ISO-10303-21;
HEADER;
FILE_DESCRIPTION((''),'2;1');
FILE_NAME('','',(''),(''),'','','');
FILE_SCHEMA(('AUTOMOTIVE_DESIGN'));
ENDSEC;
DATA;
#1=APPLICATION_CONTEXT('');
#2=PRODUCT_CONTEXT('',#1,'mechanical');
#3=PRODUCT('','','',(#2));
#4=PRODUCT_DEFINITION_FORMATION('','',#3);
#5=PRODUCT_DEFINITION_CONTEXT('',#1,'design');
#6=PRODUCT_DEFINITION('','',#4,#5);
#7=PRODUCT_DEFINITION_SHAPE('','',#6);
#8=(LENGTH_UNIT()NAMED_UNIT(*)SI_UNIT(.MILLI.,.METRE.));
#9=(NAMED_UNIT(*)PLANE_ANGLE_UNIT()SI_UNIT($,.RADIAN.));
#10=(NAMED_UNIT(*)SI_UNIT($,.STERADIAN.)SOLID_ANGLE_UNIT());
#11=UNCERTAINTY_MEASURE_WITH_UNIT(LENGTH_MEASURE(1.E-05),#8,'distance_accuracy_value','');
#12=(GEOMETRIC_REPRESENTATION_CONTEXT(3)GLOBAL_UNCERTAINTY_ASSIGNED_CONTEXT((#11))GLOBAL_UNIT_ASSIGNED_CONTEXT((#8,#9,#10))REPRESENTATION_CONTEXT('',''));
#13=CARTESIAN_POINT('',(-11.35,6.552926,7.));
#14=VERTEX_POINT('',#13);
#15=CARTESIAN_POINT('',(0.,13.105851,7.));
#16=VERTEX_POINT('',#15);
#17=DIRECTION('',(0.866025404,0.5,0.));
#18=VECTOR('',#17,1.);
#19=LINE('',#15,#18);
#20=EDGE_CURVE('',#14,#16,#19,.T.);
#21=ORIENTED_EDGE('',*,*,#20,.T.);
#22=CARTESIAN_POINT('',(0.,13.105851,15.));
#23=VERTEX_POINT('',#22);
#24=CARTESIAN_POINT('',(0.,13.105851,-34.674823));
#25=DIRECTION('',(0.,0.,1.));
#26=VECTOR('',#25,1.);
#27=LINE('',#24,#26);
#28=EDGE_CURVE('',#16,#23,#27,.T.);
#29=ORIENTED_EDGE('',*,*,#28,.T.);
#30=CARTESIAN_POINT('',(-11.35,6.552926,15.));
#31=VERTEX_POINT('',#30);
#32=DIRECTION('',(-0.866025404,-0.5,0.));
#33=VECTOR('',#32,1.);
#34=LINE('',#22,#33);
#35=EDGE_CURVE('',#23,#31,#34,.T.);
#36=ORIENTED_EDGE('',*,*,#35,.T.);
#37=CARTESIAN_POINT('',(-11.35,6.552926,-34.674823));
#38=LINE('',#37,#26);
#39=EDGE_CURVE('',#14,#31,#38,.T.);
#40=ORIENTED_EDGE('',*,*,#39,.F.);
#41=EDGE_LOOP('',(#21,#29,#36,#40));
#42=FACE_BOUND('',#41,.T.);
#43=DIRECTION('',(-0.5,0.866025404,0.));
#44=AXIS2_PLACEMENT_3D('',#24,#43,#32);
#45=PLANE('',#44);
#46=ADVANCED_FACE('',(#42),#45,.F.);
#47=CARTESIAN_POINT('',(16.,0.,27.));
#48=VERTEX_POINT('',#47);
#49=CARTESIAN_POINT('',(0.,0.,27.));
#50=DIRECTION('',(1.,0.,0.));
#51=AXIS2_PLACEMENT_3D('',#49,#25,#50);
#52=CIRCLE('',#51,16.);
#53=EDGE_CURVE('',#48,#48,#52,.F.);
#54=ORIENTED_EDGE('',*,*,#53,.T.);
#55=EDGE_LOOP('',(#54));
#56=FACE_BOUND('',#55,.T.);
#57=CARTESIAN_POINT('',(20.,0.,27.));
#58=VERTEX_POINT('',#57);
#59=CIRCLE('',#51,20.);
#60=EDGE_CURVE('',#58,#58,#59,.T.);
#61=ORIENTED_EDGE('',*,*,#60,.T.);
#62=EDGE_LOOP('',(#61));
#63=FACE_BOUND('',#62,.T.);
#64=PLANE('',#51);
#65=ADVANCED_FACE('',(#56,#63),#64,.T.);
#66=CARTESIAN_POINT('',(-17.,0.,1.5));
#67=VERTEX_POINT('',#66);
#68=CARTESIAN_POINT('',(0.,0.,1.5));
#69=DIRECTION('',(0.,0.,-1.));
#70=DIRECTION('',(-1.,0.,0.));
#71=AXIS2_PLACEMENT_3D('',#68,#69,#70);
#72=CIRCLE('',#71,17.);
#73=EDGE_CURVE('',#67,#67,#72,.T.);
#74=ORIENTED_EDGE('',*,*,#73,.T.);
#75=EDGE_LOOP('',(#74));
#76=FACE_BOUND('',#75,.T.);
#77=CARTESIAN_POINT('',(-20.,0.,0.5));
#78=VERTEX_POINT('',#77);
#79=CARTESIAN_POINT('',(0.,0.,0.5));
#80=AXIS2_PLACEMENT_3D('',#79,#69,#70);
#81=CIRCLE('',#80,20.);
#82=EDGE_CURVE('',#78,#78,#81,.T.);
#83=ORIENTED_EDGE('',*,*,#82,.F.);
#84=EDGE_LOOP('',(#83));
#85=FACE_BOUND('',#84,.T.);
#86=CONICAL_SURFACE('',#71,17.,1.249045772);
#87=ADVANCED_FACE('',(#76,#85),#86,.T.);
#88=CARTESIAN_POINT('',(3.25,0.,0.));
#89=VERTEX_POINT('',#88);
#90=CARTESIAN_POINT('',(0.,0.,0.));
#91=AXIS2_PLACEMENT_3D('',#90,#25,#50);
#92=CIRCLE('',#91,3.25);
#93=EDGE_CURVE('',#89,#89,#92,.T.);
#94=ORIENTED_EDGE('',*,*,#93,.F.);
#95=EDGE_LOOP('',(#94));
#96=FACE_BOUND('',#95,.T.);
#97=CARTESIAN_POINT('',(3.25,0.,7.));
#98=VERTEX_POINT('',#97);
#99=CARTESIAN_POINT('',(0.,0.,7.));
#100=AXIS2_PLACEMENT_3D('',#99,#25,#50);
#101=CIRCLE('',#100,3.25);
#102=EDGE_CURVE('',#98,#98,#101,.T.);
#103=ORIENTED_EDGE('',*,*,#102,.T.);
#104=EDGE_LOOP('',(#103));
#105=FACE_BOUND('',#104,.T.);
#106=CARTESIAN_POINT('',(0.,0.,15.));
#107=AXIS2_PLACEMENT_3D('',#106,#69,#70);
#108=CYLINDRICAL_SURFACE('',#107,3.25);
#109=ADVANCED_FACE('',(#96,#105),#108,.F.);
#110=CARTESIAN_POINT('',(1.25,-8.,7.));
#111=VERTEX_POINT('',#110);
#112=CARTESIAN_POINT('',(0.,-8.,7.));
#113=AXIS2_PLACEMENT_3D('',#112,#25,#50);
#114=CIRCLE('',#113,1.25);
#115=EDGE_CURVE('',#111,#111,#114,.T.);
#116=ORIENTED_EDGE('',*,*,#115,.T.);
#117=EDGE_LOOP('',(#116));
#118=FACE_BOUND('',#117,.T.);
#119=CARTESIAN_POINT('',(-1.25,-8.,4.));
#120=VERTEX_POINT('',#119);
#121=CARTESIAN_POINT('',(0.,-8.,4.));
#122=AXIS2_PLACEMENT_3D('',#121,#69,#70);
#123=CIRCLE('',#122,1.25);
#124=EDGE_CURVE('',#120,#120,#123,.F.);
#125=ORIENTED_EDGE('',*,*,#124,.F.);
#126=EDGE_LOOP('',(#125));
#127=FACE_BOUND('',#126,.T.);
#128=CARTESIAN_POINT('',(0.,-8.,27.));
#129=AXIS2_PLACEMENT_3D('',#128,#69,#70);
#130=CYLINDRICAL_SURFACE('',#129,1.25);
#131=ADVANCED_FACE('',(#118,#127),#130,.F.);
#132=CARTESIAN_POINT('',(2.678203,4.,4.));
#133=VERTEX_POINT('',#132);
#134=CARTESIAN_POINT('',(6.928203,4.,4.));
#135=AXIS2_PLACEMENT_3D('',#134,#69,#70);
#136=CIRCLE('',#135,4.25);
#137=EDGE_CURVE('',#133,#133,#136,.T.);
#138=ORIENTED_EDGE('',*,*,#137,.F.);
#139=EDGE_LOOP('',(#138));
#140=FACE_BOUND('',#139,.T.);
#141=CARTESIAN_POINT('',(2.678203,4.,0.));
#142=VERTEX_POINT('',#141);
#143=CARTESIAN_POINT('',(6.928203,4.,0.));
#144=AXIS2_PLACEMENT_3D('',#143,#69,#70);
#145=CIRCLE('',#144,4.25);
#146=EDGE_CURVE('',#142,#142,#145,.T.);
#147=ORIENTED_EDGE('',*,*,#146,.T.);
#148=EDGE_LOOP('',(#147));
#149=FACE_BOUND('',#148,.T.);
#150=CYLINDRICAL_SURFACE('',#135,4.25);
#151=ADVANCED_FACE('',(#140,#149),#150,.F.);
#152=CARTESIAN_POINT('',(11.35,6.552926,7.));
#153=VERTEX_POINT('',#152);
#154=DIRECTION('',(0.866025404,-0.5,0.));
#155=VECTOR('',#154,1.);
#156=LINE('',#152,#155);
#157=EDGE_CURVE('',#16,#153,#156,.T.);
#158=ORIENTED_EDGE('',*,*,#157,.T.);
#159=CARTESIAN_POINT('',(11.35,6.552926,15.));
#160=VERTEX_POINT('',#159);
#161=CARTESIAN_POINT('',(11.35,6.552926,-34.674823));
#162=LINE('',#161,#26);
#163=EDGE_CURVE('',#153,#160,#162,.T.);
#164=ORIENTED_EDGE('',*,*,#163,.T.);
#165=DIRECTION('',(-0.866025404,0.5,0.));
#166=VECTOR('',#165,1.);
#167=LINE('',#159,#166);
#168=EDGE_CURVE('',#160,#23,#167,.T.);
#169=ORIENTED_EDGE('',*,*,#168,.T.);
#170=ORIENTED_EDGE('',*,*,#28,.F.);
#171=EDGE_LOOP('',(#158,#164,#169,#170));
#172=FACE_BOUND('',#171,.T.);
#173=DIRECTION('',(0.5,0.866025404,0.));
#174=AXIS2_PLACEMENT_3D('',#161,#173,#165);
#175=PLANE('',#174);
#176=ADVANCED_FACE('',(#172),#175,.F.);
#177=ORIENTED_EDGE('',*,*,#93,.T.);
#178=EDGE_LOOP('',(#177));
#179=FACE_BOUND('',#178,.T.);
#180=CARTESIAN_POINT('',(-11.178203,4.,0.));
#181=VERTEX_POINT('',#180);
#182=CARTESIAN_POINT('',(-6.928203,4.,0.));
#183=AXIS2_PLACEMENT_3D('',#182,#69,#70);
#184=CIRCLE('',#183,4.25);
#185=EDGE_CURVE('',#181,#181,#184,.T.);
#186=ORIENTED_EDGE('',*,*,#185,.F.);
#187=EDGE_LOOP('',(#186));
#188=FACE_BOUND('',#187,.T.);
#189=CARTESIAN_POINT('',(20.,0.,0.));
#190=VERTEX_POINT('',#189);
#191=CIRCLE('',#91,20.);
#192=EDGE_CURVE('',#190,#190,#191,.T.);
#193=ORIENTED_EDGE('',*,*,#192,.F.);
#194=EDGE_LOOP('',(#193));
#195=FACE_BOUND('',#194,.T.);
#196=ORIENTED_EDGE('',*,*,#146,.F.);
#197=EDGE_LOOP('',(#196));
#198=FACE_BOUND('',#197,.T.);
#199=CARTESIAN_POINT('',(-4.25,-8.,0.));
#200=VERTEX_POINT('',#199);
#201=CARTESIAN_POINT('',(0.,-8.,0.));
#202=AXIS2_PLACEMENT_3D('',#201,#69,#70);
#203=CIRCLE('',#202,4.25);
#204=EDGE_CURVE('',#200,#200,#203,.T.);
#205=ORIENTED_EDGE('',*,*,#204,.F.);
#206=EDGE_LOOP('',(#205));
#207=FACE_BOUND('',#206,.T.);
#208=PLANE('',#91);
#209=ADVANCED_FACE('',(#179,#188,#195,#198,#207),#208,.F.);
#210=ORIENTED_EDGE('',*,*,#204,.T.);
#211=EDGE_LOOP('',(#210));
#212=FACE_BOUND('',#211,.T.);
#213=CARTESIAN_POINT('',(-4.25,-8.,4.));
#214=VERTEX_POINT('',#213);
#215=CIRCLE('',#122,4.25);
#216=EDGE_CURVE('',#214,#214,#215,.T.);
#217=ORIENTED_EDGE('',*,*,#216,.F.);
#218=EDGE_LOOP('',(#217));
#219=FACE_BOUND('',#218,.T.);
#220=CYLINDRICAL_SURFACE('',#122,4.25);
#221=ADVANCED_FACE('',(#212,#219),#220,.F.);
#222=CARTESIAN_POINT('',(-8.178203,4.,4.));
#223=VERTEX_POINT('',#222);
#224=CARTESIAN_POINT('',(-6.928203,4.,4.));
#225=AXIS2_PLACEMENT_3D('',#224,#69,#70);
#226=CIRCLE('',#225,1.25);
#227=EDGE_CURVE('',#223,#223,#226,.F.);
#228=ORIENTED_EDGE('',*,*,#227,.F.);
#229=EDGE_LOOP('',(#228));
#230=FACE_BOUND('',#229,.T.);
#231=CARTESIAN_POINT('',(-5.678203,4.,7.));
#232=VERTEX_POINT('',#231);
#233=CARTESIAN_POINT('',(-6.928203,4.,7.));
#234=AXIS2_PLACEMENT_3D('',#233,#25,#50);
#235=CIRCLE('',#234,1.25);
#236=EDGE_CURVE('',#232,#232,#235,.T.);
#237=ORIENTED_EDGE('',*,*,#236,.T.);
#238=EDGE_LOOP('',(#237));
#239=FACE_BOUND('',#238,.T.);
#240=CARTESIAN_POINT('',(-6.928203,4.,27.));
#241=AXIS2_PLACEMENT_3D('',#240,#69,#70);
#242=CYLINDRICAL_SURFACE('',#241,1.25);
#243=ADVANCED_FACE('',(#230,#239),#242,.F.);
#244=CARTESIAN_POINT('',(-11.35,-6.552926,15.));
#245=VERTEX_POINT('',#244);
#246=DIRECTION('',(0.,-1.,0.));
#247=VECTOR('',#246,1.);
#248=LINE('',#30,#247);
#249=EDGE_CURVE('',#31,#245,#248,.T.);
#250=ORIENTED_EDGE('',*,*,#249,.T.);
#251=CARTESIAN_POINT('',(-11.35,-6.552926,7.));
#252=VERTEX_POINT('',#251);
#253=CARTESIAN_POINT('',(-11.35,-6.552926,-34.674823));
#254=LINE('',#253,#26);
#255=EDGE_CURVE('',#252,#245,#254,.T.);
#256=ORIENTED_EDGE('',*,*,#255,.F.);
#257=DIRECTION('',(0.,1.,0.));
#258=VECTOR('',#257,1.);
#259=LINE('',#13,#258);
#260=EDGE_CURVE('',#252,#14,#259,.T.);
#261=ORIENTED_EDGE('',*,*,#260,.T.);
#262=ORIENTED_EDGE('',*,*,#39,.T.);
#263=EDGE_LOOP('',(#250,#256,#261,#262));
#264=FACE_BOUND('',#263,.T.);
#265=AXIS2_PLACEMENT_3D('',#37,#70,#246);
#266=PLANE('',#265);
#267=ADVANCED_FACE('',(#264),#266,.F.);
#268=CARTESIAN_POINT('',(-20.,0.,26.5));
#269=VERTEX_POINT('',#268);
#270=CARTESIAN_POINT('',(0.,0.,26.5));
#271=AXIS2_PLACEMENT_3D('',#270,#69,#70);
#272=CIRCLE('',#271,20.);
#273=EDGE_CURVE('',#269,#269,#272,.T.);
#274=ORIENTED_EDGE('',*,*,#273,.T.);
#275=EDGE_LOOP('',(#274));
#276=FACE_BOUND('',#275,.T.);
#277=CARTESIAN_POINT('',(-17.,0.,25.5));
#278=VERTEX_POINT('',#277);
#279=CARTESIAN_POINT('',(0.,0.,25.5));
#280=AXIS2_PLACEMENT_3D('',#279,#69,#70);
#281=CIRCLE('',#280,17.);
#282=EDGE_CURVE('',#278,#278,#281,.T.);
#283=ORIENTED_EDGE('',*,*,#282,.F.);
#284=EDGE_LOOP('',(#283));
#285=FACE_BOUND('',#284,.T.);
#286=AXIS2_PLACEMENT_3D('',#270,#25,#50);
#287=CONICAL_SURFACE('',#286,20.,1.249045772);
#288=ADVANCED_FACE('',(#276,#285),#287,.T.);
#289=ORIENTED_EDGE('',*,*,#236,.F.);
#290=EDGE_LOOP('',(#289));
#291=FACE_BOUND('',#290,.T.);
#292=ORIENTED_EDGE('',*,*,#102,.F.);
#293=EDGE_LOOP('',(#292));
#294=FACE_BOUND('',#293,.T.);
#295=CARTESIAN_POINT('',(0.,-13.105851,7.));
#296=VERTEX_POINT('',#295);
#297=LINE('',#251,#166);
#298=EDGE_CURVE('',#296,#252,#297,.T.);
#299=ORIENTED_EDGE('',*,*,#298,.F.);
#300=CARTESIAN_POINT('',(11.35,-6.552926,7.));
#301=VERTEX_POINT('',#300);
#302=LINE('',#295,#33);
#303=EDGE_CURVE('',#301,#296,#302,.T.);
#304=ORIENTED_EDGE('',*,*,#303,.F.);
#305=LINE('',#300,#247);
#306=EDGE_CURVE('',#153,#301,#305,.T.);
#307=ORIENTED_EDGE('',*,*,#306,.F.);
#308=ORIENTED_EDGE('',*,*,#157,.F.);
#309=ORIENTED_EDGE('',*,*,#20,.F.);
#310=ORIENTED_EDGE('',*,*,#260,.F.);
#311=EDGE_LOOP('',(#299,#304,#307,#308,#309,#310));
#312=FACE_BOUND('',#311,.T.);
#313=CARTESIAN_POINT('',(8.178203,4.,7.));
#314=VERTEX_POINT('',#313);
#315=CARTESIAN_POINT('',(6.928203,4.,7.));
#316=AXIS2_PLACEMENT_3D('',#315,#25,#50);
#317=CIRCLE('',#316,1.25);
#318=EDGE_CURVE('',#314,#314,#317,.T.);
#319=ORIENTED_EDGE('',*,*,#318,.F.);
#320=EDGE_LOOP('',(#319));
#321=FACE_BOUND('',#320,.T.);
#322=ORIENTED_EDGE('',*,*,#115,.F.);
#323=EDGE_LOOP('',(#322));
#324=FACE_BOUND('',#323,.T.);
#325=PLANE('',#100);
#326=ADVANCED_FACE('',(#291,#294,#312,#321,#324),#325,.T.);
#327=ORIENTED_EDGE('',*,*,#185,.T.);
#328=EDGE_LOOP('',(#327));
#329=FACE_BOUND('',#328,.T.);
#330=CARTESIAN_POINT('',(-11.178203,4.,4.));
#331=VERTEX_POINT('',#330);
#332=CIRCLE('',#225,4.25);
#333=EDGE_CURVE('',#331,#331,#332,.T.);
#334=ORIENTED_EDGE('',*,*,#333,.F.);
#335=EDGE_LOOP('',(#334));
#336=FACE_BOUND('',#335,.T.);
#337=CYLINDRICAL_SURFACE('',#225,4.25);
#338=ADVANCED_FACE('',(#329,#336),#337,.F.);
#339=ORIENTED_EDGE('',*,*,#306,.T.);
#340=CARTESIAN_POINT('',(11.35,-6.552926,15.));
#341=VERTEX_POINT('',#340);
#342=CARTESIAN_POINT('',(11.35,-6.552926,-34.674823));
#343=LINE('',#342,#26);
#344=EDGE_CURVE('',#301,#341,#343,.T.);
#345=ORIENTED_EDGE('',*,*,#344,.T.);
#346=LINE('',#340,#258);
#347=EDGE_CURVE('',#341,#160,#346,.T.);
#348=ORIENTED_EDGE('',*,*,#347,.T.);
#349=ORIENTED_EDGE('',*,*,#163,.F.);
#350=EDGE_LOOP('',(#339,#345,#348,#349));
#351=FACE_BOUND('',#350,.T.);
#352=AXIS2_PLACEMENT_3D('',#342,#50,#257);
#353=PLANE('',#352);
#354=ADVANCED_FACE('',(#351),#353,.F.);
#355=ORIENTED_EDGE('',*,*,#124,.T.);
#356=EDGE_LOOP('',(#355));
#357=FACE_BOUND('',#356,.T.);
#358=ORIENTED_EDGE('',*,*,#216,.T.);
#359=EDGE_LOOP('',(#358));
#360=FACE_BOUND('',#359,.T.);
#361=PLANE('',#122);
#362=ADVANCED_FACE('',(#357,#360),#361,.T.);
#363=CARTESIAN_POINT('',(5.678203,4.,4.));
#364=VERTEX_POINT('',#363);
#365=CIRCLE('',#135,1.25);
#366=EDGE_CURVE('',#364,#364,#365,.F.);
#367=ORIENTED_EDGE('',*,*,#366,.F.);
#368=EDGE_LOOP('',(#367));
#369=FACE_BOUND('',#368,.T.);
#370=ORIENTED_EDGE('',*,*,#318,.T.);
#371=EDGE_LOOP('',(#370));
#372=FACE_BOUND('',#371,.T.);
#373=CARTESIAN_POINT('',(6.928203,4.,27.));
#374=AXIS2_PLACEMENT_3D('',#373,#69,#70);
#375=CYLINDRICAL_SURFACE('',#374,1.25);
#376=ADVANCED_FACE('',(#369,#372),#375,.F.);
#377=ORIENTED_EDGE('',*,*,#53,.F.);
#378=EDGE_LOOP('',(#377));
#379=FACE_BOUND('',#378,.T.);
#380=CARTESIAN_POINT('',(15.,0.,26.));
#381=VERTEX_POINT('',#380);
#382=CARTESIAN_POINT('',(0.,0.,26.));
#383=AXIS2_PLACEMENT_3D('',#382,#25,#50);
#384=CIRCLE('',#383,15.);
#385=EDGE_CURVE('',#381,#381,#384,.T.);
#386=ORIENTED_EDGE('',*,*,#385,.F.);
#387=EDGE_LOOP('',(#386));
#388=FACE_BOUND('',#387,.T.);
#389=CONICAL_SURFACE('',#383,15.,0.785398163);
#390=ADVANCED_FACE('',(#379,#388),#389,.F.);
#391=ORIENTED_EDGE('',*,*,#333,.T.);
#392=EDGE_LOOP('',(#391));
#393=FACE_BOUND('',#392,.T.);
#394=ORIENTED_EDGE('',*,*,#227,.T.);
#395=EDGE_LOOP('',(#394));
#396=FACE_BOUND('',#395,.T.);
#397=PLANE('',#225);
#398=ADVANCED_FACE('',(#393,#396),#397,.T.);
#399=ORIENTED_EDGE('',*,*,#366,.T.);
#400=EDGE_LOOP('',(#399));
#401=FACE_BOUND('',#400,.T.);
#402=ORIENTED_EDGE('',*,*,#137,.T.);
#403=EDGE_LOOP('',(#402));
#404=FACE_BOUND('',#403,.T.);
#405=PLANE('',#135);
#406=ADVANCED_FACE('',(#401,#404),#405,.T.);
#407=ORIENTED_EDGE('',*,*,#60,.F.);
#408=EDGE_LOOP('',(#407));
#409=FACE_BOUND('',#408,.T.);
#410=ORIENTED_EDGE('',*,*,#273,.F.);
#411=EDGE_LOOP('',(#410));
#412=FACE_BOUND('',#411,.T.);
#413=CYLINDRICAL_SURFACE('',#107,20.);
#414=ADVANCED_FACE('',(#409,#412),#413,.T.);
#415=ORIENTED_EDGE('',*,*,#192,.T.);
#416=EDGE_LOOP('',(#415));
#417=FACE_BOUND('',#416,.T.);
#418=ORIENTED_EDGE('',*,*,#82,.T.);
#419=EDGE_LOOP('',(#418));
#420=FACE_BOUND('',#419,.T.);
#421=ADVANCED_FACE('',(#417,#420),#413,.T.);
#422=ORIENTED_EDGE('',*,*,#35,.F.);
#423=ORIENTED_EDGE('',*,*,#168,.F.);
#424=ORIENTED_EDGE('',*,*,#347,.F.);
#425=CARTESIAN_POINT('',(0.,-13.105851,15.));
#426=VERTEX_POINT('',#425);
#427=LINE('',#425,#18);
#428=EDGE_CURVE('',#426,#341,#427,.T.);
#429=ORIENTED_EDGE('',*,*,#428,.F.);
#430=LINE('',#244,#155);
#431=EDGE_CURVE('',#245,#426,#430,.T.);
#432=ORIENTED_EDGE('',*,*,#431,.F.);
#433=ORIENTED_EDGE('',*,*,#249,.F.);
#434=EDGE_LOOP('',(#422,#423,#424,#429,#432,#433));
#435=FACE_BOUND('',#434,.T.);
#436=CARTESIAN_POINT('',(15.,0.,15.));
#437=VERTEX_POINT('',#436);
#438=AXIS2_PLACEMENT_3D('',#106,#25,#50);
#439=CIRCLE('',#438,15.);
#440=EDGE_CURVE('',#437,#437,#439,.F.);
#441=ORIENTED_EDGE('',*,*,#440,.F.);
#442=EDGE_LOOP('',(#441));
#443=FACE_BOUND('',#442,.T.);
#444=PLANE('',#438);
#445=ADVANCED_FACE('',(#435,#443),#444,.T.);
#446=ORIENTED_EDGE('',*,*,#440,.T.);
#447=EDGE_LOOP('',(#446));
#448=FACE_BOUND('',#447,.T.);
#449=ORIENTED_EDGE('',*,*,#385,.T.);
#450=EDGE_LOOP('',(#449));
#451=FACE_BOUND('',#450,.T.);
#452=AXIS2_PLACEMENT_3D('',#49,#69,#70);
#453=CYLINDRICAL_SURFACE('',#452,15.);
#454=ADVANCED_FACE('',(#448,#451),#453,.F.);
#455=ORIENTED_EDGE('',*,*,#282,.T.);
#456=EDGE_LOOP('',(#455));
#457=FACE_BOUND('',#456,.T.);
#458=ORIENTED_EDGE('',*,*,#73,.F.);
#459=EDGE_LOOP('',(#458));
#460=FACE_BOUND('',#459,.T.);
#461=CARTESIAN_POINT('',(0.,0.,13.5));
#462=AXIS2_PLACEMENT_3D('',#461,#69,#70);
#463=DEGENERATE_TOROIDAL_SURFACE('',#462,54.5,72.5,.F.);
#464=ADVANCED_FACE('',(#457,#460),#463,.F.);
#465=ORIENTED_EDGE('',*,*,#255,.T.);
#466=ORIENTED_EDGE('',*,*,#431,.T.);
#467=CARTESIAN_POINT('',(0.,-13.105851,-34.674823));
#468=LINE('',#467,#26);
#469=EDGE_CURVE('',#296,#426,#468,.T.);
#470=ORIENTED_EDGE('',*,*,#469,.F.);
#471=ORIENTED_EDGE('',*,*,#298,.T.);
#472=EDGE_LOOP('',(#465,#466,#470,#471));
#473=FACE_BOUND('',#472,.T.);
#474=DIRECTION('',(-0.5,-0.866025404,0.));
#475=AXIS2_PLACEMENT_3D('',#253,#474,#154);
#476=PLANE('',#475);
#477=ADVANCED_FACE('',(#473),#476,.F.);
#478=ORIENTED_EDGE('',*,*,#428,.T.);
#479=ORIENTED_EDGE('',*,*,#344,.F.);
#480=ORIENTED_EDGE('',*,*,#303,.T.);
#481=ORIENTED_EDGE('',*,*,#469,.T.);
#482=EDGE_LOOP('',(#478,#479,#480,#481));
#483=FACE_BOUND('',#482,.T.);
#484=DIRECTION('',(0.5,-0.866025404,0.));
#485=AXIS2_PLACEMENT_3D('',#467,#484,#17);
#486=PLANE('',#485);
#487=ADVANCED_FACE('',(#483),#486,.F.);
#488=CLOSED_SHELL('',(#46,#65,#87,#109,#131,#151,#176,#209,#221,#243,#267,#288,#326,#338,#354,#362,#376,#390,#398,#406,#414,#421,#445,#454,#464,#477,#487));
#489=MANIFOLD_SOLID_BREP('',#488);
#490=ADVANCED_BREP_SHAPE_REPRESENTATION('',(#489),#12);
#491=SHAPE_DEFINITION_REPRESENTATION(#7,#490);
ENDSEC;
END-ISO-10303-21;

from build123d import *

# Parameters (mm, degrees)
ESQUISSE1_R              = 20
ESQUISSE1_R_2            = 3.25
BOSS_EXTRU_1_DEPTH       = 15
ESQUISSE2_R              = 20
ESQUISSE2_R_2            = 15
BOSS_EXTRU_2_DEPTH       = 12
ENL_V_MAT_EXTRU_9_DEPTH  = 8
CHANFREIN1_SIZE          = 1
ESQUISSE11_R             = 1.25
ENL_V_MAT_EXTRU_10_DEPTH = 40.102429592
ESQUISSE12_R             = 4.25
ENL_V_MAT_EXTRU_11_DEPTH = 4


with BuildPart() as part:
    # Esquisse1 → Boss.-Extru.1 (new body)
    with BuildSketch(Plane.XY):
        Circle(ESQUISSE1_R)
        Circle(ESQUISSE1_R_2, mode=Mode.SUBTRACT)
    extrude(amount=BOSS_EXTRU_1_DEPTH)

    # Esquisse2 → Boss.-Extru.2 (add)
    with BuildSketch(Plane.XY.offset(15)):
        Circle(ESQUISSE2_R)
        Circle(ESQUISSE2_R_2, mode=Mode.SUBTRACT)
    extrude(amount=BOSS_EXTRU_2_DEPTH)

    # Esquisse9 → Enlèv. mat.-Extru.9 (cut)
    with BuildSketch(Plane.XY.offset(15)):
        Polygon((11.35, -6.552925555), (11.35, 6.552925555), (0, 13.105851111), (-11.35, 6.552925555), (-11.35, -6.552925555), (0, -13.105851111), align=None)
    extrude(amount=-ENL_V_MAT_EXTRU_9_DEPTH, mode=Mode.SUBTRACT)

    # Chanfrein1
    chanfrein1_edges = [part.edges().sort_by_distance(p)[0] for p in [
        (-15, 0, 27),
    ]]
    chamfer(chanfrein1_edges, length=CHANFREIN1_SIZE)

    # Esquisse10 → Enlèvement de matière-Révolution1 (revolve, cut)
    with BuildSketch(Plane(origin=(0, 0, 0), x_dir=(0, 0, -1), z_dir=(1, 0, 0)), mode=Mode.PRIVATE) as enl_vement_de_mati_re_r_volution1_sk:
        with BuildLine():
            Line((-26.5, 20), (-0.5, 20))
            Line((-0.5, 20), (-1.5, 17))
            ThreePointArc((-1.5, 17), (-13.5, 18), (-25.5, 17))
            Line((-25.5, 17), (-26.5, 20))
        make_face()
    revolve(enl_vement_de_mati_re_r_volution1_sk.sketch.rotate(Axis((0, 0, 0), (0, 0, 1)), 90), axis=Axis((0, 0, 0), (0, 0, 1)), mode=Mode.SUBTRACT)

    # Esquisse11 → Enlèv. mat.-Extru.10 (cut, through all)
    with BuildSketch(Plane(origin=(0, 0, 0), x_dir=(-1, 0, 0), z_dir=(0, 0, -1))):
        with Locations((-6.92820323, 4)):
            Circle(ESQUISSE11_R)
        with Locations((6.92820323, 4)):
            Circle(ESQUISSE11_R)
        with Locations((0, -8)):
            Circle(ESQUISSE11_R)
    extrude(amount=-ENL_V_MAT_EXTRU_10_DEPTH, mode=Mode.SUBTRACT)

    # Esquisse12 → Enlèv. mat.-Extru.11 (cut)
    with BuildSketch(Plane(origin=(0, 0, 0), x_dir=(-1, 0, 0), z_dir=(0, 0, -1))):
        with Locations((-6.92820323, 4)):
            Circle(ESQUISSE12_R)
        with Locations((6.92820323, 4)):
            Circle(ESQUISSE12_R)
        with Locations((0, -8)):
            Circle(ESQUISSE12_R)
    extrude(amount=-ENL_V_MAT_EXTRU_11_DEPTH, mode=Mode.SUBTRACT)


solid = part.part
